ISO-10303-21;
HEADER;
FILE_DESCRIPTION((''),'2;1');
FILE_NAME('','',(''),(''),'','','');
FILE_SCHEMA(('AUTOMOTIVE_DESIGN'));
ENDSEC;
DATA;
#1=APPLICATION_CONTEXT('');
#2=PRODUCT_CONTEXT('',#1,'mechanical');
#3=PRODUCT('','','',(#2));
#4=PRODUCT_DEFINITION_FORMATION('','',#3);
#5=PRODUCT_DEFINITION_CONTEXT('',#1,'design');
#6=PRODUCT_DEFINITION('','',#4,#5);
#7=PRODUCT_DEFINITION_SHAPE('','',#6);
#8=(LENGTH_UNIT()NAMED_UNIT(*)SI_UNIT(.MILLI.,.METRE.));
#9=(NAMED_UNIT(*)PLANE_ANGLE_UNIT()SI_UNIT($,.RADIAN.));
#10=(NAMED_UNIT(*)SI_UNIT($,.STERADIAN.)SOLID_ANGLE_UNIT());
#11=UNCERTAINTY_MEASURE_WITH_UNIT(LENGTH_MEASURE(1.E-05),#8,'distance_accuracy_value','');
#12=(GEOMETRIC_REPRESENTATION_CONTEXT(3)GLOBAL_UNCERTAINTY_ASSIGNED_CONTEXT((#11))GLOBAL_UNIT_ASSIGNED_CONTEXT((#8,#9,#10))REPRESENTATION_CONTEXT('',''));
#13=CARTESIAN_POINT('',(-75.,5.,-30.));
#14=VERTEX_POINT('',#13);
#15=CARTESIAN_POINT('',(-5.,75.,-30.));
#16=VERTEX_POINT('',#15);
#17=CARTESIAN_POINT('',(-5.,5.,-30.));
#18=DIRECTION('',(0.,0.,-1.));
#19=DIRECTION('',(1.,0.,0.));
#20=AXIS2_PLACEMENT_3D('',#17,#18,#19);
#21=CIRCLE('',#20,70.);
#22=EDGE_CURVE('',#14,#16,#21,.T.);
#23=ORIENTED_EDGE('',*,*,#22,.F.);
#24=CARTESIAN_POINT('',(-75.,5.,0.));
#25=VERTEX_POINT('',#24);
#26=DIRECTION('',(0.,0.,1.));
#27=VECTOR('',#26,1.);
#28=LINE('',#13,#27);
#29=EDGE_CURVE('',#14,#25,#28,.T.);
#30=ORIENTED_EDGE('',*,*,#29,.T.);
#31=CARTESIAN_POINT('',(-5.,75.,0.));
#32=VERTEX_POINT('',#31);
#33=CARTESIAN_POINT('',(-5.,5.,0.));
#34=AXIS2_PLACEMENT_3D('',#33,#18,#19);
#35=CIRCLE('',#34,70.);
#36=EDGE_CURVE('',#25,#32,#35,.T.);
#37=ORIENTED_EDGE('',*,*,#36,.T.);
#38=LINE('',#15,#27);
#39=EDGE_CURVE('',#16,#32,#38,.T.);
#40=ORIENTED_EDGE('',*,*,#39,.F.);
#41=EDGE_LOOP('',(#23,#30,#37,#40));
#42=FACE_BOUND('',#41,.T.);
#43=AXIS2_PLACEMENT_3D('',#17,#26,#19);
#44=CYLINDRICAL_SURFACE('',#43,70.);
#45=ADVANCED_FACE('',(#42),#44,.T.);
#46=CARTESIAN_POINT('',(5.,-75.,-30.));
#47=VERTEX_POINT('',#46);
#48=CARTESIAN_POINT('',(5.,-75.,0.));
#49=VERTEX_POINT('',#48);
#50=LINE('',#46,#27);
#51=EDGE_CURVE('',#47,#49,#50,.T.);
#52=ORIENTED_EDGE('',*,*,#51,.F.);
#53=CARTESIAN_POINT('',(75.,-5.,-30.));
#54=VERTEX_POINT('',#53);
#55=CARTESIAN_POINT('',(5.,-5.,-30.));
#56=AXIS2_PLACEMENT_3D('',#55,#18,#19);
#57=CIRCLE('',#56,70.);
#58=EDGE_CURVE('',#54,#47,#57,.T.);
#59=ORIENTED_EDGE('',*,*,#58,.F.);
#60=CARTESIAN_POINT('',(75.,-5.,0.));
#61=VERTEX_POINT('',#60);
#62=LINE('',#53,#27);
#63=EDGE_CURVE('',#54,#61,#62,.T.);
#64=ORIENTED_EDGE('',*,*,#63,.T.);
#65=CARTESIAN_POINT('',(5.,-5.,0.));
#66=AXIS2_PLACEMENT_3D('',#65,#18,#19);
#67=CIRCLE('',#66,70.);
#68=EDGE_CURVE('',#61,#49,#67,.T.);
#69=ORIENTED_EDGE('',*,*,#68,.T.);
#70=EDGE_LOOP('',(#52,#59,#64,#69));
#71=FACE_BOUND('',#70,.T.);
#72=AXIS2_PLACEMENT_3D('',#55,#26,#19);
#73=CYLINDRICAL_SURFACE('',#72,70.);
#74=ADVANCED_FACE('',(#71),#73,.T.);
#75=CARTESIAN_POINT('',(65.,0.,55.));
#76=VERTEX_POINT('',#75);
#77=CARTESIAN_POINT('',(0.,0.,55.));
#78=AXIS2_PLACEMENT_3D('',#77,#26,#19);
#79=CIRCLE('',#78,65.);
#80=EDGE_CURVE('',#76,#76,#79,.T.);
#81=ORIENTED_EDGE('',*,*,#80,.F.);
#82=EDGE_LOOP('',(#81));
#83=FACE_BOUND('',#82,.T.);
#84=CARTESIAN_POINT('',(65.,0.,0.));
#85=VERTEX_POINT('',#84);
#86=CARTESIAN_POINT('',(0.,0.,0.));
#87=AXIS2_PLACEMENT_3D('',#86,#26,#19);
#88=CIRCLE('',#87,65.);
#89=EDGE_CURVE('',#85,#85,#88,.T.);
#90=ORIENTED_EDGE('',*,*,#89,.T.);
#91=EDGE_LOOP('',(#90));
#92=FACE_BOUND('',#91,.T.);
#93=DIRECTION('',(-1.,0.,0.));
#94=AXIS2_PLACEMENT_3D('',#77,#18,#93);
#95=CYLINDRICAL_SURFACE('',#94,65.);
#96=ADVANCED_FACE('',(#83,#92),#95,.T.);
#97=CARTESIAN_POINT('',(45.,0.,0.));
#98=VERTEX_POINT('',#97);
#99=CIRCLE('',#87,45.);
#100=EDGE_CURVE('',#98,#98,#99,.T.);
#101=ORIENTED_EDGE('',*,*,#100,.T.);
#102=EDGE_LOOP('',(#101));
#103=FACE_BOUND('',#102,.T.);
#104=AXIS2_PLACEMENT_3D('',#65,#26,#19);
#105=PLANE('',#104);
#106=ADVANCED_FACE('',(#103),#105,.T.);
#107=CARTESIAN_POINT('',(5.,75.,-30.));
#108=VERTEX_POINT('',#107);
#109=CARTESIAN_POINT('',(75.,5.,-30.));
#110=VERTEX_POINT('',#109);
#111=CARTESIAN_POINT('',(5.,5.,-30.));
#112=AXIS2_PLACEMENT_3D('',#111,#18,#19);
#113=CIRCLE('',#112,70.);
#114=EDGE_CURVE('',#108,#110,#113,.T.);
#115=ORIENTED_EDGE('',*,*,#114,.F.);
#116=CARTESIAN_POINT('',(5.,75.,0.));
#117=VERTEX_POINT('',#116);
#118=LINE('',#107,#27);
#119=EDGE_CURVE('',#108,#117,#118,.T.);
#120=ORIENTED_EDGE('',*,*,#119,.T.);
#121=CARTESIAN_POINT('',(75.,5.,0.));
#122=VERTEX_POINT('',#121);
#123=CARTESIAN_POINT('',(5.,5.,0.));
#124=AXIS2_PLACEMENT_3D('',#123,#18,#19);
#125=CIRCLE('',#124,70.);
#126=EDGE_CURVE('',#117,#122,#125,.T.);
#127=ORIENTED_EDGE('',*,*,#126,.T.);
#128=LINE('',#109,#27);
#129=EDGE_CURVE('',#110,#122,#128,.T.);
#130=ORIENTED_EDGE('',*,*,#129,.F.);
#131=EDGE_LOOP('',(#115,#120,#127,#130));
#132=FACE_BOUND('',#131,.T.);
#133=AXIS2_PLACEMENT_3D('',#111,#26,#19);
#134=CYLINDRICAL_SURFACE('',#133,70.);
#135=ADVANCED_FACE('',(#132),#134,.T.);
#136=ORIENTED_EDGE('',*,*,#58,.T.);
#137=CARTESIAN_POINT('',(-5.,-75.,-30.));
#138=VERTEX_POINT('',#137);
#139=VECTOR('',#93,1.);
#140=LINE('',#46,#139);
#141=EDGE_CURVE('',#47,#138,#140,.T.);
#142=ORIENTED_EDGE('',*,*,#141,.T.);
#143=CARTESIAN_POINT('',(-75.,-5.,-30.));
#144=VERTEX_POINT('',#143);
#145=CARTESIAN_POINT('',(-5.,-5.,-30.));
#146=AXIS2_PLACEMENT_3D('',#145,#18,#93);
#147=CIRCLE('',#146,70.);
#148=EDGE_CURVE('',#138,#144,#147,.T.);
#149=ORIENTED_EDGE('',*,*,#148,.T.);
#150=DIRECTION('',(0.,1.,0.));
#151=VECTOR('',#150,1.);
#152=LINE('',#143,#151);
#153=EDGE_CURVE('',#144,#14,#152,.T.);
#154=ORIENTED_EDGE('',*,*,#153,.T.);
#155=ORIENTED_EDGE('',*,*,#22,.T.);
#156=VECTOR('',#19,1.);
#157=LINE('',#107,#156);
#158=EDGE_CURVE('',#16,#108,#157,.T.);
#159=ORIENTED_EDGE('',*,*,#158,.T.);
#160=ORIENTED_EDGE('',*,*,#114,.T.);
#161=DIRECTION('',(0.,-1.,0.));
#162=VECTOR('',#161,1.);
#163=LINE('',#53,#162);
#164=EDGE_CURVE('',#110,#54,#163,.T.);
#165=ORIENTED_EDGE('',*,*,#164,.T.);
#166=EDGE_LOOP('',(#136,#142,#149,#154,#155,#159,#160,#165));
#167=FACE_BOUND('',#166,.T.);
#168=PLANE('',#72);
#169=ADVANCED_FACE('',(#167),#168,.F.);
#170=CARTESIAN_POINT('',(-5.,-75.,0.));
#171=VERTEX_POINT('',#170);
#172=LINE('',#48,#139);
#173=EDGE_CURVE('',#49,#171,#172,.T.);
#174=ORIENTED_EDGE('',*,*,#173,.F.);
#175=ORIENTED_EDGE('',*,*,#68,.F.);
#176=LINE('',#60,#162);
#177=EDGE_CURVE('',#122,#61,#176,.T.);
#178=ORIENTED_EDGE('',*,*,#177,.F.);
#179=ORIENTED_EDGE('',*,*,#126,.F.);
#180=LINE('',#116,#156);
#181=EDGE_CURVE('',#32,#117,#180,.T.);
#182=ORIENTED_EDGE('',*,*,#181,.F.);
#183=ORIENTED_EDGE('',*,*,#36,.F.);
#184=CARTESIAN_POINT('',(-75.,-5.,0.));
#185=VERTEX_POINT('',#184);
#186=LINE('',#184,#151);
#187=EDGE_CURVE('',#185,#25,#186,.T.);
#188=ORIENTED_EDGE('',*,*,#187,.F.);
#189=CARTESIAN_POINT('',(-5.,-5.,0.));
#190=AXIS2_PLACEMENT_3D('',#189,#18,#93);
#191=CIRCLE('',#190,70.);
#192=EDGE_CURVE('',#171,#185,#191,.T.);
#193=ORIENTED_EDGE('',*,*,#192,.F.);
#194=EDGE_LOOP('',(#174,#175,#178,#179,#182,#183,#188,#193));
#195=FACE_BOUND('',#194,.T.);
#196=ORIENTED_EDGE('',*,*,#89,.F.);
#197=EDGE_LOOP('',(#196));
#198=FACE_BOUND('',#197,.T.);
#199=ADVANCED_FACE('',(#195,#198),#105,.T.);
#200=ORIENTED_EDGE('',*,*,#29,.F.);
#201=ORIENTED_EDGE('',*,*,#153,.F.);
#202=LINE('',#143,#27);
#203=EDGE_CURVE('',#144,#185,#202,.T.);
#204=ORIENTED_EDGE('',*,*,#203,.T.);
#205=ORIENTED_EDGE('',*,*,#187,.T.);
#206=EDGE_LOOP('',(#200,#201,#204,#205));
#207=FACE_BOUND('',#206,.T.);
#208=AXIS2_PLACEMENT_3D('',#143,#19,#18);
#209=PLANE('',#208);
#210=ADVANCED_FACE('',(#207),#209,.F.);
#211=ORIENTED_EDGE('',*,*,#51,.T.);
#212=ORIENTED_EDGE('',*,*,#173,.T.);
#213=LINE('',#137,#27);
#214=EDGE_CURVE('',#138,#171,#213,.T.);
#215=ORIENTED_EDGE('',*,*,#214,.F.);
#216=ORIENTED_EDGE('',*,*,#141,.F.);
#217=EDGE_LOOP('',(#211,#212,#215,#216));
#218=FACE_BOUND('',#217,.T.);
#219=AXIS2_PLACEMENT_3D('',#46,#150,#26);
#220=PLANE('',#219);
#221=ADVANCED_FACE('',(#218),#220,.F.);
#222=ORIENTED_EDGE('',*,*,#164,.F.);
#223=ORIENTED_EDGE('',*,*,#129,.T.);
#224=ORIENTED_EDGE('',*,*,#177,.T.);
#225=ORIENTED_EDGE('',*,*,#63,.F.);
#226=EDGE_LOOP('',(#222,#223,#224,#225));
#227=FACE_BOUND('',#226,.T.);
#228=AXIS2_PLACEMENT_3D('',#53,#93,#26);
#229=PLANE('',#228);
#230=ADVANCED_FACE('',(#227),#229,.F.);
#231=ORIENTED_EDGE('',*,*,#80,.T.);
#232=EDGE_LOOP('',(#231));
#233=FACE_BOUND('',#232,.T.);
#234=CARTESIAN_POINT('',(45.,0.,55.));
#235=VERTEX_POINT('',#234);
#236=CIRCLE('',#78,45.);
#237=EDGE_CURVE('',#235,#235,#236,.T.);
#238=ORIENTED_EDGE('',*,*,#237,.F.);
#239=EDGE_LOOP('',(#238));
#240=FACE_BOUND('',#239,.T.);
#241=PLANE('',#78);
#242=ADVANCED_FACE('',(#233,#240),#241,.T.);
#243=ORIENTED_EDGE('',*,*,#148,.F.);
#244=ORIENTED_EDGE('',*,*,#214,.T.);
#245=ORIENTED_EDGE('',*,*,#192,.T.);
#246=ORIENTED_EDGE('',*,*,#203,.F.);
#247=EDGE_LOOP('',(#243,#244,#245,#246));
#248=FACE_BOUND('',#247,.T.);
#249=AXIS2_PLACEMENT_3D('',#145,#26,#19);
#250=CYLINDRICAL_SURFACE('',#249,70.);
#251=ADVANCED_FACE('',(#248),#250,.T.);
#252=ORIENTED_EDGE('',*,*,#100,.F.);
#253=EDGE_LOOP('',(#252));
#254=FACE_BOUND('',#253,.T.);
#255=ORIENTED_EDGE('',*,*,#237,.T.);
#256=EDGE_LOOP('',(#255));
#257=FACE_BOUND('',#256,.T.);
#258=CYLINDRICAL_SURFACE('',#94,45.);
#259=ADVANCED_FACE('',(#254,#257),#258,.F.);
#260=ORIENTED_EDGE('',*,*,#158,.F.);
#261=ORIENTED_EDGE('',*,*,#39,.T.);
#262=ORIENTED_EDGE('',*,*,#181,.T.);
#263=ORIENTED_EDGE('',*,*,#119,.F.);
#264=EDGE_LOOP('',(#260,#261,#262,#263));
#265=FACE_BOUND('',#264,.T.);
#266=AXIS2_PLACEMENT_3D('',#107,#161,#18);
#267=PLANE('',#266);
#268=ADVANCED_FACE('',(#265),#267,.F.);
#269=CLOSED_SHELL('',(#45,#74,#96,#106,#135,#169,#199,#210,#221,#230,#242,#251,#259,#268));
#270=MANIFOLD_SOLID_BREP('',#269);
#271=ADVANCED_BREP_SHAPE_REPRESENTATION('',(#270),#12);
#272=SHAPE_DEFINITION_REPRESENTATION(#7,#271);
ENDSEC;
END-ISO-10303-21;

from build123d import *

# Parameters (mm, degrees)
SKETCH1_R           = 65
SKETCH1_R_2         = 45
BOSS_EXTRUDE1_DEPTH = 55
BOSS_EXTRUDE2_DEPTH = 30


with BuildPart() as part:
    # Sketch1 → Boss-Extrude1 (new body)
    with BuildSketch(Plane.XY):
        Circle(SKETCH1_R)
        Circle(SKETCH1_R_2, mode=Mode.SUBTRACT)
    extrude(amount=BOSS_EXTRUDE1_DEPTH)

    # Sketch2 → Boss-Extrude2 (add)
    with BuildSketch(Plane(origin=(0, 0, 0), x_dir=(-1, 0, 0), z_dir=(0, 0, -1))):
        with BuildLine():
            Line((-5, -75), (5, -75))
            ThreePointArc((5, -75), (54.497474683, -54.497474683), (75, -5))
            Line((75, -5), (75, 5))
            ThreePointArc((75, 5), (54.497474683, 54.497474683), (5, 75))
            Line((5, 75), (-5, 75))
            ThreePointArc((-5, 75), (-54.497474683, 54.497474683), (-75, 5))
            Line((-75, 5), (-75, -5))
            ThreePointArc((-75, -5), (-54.497474683, -54.497474683), (-5, -75))
        make_face()
    extrude(amount=BOSS_EXTRUDE2_DEPTH)


solid = part.part
